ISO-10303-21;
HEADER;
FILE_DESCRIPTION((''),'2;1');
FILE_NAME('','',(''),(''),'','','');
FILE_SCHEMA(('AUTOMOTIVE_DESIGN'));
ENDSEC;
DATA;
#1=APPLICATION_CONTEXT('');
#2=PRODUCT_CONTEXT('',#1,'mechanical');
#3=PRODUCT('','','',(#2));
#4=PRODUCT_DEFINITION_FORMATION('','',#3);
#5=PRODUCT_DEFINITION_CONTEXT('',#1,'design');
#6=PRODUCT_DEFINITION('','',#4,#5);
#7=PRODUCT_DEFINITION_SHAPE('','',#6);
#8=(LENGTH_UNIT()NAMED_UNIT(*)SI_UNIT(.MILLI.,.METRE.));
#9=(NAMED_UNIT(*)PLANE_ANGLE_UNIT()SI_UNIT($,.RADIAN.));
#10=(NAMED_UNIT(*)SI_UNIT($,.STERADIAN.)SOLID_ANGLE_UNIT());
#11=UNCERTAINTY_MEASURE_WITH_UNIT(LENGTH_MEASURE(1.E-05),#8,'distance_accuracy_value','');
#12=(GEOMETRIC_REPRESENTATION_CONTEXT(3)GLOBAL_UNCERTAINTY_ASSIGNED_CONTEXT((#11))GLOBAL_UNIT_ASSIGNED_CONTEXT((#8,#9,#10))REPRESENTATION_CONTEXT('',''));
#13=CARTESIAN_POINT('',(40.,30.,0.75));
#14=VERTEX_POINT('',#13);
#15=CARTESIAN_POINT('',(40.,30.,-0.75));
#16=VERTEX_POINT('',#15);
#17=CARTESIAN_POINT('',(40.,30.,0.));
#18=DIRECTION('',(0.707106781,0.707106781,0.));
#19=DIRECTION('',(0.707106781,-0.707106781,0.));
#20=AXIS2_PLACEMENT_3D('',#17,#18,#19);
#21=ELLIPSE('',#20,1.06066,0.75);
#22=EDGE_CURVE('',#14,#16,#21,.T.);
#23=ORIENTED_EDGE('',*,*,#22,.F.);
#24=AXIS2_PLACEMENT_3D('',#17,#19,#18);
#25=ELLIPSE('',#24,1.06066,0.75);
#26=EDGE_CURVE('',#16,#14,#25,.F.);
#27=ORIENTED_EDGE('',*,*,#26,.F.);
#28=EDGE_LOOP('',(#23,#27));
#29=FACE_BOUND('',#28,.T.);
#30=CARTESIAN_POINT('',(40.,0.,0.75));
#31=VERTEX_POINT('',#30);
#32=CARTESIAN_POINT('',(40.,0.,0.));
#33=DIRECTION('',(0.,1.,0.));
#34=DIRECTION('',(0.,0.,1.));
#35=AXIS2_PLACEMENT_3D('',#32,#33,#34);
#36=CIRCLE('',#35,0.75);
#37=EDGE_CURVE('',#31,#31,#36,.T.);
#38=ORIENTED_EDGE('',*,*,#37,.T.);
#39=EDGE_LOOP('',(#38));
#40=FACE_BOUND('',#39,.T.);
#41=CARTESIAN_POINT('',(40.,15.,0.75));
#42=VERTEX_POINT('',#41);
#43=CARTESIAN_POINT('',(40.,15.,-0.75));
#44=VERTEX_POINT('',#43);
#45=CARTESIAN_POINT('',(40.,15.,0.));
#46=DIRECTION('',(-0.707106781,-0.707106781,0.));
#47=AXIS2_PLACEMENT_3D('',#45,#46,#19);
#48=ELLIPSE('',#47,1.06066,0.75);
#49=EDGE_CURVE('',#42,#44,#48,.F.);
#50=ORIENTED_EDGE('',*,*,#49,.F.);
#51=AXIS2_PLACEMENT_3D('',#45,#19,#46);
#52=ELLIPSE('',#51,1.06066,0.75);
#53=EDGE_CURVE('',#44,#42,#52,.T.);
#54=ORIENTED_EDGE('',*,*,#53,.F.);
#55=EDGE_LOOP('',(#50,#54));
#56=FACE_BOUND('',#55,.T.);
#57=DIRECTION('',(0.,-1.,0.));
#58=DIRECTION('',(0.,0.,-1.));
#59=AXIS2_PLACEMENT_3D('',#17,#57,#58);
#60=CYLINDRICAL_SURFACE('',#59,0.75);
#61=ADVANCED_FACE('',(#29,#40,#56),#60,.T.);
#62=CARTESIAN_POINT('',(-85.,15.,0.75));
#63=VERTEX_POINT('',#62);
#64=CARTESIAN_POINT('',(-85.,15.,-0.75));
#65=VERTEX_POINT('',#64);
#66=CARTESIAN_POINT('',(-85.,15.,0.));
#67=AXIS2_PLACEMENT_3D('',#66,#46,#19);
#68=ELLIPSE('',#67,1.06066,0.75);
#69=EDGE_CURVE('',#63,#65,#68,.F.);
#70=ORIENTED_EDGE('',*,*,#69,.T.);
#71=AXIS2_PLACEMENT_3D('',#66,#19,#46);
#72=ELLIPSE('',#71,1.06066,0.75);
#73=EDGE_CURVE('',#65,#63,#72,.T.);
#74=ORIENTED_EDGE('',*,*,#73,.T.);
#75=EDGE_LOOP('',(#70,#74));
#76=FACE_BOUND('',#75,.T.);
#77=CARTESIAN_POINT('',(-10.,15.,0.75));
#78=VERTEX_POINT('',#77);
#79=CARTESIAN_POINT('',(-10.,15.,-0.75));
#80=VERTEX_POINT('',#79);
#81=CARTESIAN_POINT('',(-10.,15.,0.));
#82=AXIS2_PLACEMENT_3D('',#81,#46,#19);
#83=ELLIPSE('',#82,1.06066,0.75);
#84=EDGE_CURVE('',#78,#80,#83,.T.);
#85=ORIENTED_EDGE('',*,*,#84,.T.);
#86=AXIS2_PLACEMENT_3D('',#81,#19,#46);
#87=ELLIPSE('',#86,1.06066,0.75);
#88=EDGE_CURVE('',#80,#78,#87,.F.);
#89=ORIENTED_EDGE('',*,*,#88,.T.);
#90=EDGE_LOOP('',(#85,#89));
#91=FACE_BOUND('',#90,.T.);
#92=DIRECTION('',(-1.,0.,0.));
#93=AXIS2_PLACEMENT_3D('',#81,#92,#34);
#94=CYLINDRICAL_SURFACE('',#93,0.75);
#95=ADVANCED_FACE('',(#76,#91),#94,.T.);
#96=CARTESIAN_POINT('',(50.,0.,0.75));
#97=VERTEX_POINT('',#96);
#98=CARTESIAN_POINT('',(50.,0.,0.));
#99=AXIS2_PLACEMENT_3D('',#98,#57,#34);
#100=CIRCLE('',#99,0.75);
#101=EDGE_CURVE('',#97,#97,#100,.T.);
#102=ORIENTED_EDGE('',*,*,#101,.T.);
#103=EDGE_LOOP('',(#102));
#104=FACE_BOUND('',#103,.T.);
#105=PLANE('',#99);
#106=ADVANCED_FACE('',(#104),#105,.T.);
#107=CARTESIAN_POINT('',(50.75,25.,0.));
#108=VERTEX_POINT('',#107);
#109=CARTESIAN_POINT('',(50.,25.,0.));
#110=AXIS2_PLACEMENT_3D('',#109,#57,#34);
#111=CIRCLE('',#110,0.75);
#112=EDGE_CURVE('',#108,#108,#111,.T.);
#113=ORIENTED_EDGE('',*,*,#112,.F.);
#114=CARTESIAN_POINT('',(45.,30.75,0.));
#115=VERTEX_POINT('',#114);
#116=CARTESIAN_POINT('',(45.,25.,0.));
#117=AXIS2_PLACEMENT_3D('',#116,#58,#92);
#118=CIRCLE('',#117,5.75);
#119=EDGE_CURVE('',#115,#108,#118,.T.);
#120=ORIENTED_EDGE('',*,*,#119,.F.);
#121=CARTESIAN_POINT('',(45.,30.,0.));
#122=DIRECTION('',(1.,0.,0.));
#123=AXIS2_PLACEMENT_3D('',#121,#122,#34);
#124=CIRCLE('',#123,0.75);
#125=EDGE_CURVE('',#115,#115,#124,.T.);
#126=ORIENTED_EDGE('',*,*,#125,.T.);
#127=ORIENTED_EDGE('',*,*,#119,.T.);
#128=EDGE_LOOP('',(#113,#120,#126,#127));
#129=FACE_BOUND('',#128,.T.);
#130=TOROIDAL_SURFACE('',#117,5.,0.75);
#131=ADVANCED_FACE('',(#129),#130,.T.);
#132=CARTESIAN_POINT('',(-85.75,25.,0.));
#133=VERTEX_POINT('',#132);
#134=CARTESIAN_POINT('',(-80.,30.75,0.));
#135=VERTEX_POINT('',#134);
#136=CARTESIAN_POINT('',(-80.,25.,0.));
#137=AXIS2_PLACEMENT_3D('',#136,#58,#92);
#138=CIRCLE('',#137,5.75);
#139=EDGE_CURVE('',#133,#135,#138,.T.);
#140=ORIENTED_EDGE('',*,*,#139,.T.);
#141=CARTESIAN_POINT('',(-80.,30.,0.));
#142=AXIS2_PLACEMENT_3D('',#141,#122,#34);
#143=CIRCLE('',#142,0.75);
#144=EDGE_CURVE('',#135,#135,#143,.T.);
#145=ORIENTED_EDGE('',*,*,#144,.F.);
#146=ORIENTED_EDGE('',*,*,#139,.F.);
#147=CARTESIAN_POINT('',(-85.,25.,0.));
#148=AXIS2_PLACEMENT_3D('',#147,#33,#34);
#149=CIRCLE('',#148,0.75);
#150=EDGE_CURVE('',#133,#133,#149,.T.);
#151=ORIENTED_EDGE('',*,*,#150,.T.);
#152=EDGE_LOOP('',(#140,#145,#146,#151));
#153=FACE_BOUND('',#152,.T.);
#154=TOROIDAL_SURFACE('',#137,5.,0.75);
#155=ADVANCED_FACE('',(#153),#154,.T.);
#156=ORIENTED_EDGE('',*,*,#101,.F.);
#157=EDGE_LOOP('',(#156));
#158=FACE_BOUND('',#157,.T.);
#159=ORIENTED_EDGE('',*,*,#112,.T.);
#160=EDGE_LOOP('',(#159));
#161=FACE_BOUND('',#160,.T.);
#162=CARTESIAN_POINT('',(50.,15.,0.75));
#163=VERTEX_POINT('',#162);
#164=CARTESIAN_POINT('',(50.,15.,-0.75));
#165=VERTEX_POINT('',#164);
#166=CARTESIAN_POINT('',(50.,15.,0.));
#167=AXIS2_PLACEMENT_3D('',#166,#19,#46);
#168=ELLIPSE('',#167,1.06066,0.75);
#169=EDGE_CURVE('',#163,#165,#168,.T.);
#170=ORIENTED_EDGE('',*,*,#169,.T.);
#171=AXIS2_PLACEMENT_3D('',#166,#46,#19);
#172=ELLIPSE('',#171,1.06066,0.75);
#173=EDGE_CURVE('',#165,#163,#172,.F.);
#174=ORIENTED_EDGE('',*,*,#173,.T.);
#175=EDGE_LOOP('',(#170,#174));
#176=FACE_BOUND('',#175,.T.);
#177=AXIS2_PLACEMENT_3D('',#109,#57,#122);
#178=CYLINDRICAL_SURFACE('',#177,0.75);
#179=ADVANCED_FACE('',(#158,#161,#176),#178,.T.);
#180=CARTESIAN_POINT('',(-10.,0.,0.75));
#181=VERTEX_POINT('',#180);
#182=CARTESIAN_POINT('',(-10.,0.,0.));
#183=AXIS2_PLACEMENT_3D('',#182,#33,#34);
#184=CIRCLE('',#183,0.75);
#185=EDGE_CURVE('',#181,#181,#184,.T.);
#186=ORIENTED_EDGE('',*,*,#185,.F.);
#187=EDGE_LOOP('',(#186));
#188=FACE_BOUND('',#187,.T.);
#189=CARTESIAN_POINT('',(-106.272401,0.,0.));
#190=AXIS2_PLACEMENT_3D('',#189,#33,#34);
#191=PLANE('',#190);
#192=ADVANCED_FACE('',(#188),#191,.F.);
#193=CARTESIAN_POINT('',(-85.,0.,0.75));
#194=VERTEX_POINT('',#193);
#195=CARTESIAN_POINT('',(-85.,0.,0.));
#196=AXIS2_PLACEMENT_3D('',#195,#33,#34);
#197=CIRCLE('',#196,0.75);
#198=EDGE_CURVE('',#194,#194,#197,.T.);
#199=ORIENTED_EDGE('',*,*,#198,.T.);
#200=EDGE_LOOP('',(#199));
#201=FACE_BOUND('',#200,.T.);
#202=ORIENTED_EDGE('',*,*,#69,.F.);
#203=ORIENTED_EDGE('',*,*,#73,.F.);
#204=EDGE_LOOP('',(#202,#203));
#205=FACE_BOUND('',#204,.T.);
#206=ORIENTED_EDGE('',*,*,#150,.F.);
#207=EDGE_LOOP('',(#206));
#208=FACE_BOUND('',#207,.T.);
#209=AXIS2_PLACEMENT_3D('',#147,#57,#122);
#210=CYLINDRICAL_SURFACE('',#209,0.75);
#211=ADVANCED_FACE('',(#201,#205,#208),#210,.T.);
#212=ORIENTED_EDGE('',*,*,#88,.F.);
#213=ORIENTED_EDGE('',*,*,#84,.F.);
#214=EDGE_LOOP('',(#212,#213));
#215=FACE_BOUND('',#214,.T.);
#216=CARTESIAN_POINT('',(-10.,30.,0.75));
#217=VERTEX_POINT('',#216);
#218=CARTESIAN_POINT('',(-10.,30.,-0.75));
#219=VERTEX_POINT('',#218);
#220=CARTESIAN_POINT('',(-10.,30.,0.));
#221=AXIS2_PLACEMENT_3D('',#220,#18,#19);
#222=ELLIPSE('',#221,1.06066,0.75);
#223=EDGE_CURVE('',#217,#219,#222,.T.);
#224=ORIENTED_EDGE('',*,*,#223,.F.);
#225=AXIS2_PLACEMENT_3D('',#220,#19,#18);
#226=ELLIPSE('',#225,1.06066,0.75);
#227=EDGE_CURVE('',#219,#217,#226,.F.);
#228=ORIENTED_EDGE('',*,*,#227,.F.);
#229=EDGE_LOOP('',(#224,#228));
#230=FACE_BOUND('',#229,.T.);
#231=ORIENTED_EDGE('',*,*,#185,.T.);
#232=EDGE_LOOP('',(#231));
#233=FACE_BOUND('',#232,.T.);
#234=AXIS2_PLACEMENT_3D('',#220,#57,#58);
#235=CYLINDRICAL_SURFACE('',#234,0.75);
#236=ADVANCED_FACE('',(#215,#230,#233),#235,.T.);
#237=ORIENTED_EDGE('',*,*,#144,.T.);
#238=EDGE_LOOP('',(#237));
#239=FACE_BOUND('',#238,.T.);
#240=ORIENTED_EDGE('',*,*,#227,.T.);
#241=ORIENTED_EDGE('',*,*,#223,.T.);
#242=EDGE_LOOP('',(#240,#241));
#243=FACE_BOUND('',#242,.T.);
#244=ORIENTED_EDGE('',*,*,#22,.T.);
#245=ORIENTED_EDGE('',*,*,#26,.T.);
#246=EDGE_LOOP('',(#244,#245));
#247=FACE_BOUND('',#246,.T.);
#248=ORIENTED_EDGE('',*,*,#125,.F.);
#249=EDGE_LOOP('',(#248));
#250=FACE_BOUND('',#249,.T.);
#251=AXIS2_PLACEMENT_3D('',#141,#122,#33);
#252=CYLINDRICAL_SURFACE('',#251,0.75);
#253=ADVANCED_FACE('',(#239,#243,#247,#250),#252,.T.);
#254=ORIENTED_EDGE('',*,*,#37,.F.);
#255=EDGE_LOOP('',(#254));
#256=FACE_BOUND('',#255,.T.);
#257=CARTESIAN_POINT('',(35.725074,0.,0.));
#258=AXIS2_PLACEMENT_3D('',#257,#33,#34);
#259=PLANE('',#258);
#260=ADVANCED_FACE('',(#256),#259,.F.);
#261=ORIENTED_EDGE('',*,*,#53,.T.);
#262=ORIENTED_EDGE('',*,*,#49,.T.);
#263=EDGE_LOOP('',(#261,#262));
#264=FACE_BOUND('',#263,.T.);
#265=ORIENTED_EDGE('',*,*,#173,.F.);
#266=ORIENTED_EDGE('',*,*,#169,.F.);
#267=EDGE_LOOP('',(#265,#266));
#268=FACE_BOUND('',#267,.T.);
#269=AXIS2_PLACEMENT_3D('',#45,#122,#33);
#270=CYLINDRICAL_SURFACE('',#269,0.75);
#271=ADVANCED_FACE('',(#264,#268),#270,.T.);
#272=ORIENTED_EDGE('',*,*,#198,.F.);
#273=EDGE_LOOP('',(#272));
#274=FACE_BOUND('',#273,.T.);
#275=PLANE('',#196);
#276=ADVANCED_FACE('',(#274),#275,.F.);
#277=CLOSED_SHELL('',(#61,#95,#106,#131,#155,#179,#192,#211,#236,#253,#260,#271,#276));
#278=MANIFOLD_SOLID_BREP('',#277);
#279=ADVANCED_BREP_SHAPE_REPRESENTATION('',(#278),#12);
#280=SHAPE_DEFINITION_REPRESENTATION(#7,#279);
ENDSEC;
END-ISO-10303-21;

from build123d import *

# Parameters (mm, degrees)
SKETCH_2_R       = 0.75
SKETCH_13_R      = 0.75
EXTRUDE_7_DEPTH  = 30
SKETCH_14_R      = 0.75
EXTRUDE_8_DEPTH  = 30
SKETCH_15_R      = 0.75
EXTRUDE_9_DEPTH  = 75
SKETCH_17_R      = 0.75
EXTRUDE_10_DEPTH = 10


with BuildPart() as part:
    # 扫描1: sweep along a path in 草图1
    with BuildLine(Plane.XY) as sweep_1_path:
        Line((50, 0), (50, 25))
        ThreePointArc((50, 25), (48.535533906, 28.535533906), (45, 30))
        Line((45, 30), (-80, 30))
        ThreePointArc((-80, 30), (-83.535533906, 28.535533906), (-85, 25))
        Line((-85, 25), (-85, 0))
    # 草图2 → 扫描1 (sweep)
    with BuildSketch(Plane(origin=(0, 0, 0), x_dir=(1, 0, 0), z_dir=(0, 1, 0))):
        with Locations((-85, 0)):
            Circle(SKETCH_2_R)
    sweep(path=sweep_1_path.line)

    # 草图13 → 凸台-拉伸7 (add)
    with BuildSketch(Plane(origin=(0, 0, 0), x_dir=(1, 0, 0), z_dir=(0, 1, 0))):
        with Locations((40, 0)):
            Circle(SKETCH_13_R)
    extrude(amount=EXTRUDE_7_DEPTH)

    # 草图14 → 凸台-拉伸8 (add)
    with BuildSketch(Plane(origin=(0, 0, 0), x_dir=(-1, 0, 0), z_dir=(0, 1, 0))):
        with Locations((10, 0)):
            Circle(SKETCH_14_R)
    extrude(amount=EXTRUDE_8_DEPTH)

    # 草图15 → 凸台-拉伸9 (add)
    with BuildSketch(Plane(origin=(-85, 0, 0), x_dir=(0, 0, -1), z_dir=(1, 0, 0))):
        with Locations((0, 15)):
            Circle(SKETCH_15_R)
    extrude(amount=EXTRUDE_9_DEPTH)

    # 草图17 → 凸台-拉伸10 (add)
    with BuildSketch(Plane(origin=(50, 15, 0), x_dir=(0, 0, 1), z_dir=(-1, 0, 0))):
        Circle(SKETCH_17_R)
    extrude(amount=EXTRUDE_10_DEPTH)


solid = part.part
